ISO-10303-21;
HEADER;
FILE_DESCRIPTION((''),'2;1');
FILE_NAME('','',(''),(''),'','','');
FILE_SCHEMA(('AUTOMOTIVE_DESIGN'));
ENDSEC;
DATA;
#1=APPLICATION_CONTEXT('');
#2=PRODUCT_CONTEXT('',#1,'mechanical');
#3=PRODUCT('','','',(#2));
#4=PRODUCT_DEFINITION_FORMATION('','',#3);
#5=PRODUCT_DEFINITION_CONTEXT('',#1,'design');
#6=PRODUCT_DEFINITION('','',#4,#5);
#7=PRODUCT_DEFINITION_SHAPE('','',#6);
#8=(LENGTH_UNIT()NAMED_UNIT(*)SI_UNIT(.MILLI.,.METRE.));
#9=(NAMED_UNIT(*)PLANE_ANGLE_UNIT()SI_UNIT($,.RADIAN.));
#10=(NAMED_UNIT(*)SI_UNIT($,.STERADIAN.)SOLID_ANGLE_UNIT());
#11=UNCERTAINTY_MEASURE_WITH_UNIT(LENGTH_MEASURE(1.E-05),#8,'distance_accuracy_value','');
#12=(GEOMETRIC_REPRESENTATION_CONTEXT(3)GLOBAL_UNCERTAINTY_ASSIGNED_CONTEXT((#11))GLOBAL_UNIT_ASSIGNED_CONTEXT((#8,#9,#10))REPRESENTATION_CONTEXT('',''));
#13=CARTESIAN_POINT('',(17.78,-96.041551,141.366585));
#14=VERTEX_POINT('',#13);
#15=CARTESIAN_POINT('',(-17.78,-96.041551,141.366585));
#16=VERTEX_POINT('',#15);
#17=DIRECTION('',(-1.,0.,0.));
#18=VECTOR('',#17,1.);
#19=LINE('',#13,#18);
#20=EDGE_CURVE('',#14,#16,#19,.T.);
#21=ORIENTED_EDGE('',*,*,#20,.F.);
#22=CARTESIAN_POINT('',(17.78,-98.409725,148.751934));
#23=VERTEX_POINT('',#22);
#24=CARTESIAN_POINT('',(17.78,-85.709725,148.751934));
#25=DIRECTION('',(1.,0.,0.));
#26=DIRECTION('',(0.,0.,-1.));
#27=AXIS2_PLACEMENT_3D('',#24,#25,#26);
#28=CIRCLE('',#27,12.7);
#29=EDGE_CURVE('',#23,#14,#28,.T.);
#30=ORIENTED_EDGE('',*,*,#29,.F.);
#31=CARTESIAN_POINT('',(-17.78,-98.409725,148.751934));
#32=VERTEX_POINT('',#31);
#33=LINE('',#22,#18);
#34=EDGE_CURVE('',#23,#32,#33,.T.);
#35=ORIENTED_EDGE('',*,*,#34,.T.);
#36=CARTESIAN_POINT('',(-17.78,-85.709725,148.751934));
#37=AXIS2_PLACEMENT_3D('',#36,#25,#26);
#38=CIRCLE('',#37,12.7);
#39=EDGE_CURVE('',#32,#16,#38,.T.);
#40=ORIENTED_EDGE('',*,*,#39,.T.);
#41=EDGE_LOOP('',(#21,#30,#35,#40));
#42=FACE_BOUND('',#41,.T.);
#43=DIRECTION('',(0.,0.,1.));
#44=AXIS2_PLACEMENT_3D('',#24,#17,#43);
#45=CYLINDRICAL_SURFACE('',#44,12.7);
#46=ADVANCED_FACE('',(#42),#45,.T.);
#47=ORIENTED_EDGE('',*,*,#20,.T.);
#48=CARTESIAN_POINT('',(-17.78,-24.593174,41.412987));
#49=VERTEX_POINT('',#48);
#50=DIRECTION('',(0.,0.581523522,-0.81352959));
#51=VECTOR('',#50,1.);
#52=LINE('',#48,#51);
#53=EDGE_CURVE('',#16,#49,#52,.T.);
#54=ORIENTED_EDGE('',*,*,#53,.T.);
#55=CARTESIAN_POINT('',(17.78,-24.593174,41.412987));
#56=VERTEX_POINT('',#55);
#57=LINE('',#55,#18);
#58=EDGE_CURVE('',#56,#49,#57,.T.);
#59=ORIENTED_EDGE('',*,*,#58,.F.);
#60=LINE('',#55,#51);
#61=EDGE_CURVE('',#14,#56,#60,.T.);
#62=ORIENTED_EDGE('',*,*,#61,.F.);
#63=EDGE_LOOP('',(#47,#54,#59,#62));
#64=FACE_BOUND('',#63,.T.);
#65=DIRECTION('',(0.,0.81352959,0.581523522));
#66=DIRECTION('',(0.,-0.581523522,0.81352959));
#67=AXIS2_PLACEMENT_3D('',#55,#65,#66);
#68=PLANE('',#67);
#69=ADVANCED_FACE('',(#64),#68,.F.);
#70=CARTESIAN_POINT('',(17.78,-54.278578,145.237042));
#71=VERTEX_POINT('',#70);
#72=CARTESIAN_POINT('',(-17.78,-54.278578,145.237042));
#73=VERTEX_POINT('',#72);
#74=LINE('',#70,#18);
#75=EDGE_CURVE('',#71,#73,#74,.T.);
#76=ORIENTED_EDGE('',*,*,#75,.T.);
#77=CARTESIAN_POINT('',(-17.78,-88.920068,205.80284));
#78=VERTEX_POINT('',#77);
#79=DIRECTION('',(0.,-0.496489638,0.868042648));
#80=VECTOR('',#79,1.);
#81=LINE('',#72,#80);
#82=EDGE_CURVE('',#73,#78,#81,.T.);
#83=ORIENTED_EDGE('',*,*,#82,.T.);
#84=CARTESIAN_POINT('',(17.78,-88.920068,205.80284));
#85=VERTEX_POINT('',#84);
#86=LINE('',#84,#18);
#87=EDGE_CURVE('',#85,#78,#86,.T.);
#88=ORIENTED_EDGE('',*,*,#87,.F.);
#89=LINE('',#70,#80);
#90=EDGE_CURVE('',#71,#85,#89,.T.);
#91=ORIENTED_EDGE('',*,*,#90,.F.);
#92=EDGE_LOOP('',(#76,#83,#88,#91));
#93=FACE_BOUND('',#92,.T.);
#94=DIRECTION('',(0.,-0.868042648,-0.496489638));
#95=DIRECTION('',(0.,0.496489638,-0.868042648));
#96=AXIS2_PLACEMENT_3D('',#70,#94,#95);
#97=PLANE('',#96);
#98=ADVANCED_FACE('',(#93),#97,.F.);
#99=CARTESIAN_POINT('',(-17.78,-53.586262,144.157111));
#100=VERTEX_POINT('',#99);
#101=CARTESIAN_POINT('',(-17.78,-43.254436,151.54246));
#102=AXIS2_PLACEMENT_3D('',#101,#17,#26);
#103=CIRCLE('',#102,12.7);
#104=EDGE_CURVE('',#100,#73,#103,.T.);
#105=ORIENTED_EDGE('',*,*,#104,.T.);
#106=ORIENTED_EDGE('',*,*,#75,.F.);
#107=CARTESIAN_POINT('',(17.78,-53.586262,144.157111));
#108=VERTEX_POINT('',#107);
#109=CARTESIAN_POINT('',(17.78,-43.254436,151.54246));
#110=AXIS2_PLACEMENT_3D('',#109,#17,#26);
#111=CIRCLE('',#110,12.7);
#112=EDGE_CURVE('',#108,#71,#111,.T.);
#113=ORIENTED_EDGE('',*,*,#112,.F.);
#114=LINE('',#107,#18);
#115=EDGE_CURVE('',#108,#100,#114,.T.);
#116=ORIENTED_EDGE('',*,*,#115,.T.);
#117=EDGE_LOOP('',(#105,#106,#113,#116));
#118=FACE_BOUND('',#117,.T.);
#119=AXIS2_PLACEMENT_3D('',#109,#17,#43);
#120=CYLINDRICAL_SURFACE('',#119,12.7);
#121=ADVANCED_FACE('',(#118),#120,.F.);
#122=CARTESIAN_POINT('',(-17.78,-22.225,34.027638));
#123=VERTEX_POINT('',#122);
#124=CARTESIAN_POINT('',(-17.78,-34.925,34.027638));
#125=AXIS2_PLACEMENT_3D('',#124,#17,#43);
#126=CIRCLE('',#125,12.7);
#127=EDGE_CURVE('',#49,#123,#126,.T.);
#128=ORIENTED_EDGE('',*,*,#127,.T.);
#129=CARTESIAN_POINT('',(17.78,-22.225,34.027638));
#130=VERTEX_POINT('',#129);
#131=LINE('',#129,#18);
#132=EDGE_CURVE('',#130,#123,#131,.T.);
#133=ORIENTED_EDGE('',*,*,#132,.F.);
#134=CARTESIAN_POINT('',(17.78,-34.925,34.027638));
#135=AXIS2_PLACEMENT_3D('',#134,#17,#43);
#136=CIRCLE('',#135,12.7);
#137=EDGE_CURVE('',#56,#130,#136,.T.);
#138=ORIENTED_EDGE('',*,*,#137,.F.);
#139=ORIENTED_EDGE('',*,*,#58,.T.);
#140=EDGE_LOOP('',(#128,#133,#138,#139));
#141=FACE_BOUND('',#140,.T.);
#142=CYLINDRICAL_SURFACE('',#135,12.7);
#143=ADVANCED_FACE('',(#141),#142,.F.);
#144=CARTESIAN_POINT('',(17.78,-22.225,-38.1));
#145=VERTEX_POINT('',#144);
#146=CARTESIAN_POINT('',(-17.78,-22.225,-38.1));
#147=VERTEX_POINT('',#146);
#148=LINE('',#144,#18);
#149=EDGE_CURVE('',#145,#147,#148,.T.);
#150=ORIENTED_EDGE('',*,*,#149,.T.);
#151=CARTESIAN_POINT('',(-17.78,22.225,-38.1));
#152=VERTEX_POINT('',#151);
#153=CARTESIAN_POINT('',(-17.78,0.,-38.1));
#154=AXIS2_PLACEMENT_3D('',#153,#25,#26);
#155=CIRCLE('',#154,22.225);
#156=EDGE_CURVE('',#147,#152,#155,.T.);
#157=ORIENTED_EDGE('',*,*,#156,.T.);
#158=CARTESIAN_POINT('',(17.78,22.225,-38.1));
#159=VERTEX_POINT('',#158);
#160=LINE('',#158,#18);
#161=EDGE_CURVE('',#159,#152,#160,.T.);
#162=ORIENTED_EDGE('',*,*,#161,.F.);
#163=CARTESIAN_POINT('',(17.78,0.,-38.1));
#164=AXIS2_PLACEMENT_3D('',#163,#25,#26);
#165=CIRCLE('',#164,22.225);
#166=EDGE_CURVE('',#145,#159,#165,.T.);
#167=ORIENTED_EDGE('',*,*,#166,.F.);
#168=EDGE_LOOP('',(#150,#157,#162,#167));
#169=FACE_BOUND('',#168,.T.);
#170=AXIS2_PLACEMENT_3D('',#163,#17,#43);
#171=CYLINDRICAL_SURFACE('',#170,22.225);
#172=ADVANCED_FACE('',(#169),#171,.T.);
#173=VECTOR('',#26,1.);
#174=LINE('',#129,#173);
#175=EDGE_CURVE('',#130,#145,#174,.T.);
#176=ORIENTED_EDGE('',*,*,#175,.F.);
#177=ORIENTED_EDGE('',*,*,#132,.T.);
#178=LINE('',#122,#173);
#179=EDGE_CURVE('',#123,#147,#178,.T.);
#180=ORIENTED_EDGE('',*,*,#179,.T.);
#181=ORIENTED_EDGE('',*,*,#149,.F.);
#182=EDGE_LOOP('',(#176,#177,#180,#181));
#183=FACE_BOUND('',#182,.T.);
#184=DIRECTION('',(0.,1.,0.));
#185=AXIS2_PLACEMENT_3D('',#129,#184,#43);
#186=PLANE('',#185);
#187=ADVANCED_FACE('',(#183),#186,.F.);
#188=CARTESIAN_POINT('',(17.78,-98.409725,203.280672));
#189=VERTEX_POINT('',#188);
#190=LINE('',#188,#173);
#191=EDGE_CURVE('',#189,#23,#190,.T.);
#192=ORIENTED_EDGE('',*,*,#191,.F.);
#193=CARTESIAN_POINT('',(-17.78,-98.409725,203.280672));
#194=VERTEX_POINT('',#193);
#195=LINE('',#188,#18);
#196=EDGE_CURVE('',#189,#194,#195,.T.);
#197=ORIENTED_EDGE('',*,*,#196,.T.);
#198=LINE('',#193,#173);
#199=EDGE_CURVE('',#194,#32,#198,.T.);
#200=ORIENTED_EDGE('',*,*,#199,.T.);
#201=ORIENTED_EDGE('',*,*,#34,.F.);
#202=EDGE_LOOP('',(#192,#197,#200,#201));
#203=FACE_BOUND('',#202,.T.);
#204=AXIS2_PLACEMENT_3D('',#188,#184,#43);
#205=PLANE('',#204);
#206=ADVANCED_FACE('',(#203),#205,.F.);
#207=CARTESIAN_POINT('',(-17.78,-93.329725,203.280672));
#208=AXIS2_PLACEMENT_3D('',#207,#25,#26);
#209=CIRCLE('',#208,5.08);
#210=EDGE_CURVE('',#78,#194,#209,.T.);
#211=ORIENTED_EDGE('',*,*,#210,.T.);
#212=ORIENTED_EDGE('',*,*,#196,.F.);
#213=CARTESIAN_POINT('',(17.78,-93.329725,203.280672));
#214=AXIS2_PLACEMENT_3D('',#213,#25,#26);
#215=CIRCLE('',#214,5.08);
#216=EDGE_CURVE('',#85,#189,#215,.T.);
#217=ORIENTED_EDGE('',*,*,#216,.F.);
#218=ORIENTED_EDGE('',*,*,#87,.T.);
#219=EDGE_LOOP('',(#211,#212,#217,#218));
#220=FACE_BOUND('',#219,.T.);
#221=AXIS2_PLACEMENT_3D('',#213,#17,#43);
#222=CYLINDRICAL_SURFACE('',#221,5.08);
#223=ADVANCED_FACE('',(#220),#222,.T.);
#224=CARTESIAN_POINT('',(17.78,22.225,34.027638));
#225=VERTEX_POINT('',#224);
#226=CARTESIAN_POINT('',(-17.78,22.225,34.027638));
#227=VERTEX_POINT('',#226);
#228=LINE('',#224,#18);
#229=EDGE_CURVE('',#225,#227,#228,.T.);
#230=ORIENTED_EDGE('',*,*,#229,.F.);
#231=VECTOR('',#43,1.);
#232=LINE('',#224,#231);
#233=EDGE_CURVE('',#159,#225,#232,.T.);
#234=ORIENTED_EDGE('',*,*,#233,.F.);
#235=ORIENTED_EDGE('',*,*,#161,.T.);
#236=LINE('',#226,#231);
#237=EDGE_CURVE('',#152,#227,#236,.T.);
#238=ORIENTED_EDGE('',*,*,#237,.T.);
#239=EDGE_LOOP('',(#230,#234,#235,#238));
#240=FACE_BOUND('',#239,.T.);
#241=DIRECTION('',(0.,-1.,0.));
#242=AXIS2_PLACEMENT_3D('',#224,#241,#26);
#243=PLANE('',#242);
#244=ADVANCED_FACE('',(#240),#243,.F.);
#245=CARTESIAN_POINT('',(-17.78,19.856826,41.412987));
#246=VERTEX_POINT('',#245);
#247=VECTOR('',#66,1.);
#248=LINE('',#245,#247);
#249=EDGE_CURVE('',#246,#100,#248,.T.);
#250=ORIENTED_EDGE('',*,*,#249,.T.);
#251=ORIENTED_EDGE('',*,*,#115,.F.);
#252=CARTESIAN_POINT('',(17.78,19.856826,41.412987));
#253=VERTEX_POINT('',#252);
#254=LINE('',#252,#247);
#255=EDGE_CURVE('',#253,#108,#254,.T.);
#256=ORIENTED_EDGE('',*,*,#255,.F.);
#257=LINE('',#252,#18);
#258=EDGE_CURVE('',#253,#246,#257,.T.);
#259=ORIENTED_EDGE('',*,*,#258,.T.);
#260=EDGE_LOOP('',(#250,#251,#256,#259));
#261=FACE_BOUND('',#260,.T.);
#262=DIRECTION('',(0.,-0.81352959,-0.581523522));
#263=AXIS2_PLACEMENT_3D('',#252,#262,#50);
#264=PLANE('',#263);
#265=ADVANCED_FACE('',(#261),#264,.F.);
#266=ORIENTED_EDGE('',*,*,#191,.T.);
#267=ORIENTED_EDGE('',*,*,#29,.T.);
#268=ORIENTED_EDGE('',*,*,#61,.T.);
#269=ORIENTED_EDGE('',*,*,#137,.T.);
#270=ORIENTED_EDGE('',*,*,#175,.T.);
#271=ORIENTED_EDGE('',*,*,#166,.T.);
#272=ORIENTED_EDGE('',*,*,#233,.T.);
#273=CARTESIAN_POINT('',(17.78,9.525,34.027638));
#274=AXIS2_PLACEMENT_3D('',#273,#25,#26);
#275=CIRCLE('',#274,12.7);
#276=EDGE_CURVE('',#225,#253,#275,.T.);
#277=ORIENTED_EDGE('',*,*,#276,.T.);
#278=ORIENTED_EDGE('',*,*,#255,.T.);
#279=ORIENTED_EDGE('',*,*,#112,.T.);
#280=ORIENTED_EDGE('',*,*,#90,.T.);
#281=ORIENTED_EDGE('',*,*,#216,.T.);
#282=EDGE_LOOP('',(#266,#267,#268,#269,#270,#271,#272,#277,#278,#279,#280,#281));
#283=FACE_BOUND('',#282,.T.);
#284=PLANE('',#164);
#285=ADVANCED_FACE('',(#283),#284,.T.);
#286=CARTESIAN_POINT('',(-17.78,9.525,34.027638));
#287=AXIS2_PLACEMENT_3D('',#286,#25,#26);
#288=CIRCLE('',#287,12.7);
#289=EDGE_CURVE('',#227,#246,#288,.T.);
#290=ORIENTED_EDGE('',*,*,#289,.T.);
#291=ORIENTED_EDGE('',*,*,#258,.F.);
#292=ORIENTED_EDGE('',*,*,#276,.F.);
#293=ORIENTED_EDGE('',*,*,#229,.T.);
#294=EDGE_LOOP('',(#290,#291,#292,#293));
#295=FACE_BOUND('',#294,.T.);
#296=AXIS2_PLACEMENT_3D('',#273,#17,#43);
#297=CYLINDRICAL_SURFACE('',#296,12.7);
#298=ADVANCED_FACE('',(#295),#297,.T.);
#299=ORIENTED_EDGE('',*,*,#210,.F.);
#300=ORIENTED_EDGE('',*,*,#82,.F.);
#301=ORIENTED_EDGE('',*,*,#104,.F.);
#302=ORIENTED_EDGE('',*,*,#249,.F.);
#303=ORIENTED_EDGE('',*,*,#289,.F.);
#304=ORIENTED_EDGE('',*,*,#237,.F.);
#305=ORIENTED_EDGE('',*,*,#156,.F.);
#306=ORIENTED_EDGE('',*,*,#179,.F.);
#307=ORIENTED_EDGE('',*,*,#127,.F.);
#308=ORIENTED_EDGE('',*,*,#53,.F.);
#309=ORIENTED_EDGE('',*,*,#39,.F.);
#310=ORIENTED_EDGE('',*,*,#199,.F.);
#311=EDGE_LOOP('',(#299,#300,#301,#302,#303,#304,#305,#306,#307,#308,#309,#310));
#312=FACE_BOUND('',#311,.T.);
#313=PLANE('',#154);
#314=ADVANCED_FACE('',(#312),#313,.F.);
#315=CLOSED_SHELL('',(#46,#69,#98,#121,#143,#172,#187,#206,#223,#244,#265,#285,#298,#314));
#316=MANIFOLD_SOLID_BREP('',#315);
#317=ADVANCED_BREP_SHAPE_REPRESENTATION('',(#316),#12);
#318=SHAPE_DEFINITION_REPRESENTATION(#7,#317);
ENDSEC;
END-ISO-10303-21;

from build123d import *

# Parameters (mm, degrees)
BOSS_EXTRUDE1_DEPTH = 17.78


with BuildPart() as part:
    # Sketch1 → Boss-Extrude1 (new body, symmetric)
    with BuildSketch(Plane(origin=(0, 0, 0), x_dir=(0, 0, -1), z_dir=(1, 0, 0))):
        with BuildLine():
            Line((-34.027638145, 22.225), (38.1, 22.225))
            ThreePointArc((38.1, 22.225), (60.325, 0), (38.1, -22.225))
            Line((38.1, -22.225), (-34.027638145, -22.225))
            ThreePointArc((-34.027638145, -22.225), (-37.905512075, -22.831526811), (-41.41298687, -24.593174207))
            Line((-41.41298687, -24.593174207), (-141.36658517, -96.041550766))
            ThreePointArc((-141.36658517, -96.041550766), (-144.874059965, -97.803198163), (-148.751933895, -98.409724974))
            Line((-148.751933895, -98.409724974), (-203.2806723, -98.409724974))
            ThreePointArc((-203.2806723, -98.409724974), (-208.190227055, -94.634589756), (-205.802839661, -88.920068321))
            Line((-205.802839661, -88.920068321), (-145.237041742, -54.278577891))
            ThreePointArc((-145.237041742, -54.278577891), (-144.688329899, -53.946063756), (-144.157111422, -53.586262051))
            Line((-144.157111422, -53.586262051), (-41.41298687, 19.856825793))
            ThreePointArc((-41.41298687, 19.856825793), (-37.905512075, 21.618473189), (-34.027638145, 22.225))
        make_face()
    extrude(amount=BOSS_EXTRUDE1_DEPTH, both=True)


solid = part.part
